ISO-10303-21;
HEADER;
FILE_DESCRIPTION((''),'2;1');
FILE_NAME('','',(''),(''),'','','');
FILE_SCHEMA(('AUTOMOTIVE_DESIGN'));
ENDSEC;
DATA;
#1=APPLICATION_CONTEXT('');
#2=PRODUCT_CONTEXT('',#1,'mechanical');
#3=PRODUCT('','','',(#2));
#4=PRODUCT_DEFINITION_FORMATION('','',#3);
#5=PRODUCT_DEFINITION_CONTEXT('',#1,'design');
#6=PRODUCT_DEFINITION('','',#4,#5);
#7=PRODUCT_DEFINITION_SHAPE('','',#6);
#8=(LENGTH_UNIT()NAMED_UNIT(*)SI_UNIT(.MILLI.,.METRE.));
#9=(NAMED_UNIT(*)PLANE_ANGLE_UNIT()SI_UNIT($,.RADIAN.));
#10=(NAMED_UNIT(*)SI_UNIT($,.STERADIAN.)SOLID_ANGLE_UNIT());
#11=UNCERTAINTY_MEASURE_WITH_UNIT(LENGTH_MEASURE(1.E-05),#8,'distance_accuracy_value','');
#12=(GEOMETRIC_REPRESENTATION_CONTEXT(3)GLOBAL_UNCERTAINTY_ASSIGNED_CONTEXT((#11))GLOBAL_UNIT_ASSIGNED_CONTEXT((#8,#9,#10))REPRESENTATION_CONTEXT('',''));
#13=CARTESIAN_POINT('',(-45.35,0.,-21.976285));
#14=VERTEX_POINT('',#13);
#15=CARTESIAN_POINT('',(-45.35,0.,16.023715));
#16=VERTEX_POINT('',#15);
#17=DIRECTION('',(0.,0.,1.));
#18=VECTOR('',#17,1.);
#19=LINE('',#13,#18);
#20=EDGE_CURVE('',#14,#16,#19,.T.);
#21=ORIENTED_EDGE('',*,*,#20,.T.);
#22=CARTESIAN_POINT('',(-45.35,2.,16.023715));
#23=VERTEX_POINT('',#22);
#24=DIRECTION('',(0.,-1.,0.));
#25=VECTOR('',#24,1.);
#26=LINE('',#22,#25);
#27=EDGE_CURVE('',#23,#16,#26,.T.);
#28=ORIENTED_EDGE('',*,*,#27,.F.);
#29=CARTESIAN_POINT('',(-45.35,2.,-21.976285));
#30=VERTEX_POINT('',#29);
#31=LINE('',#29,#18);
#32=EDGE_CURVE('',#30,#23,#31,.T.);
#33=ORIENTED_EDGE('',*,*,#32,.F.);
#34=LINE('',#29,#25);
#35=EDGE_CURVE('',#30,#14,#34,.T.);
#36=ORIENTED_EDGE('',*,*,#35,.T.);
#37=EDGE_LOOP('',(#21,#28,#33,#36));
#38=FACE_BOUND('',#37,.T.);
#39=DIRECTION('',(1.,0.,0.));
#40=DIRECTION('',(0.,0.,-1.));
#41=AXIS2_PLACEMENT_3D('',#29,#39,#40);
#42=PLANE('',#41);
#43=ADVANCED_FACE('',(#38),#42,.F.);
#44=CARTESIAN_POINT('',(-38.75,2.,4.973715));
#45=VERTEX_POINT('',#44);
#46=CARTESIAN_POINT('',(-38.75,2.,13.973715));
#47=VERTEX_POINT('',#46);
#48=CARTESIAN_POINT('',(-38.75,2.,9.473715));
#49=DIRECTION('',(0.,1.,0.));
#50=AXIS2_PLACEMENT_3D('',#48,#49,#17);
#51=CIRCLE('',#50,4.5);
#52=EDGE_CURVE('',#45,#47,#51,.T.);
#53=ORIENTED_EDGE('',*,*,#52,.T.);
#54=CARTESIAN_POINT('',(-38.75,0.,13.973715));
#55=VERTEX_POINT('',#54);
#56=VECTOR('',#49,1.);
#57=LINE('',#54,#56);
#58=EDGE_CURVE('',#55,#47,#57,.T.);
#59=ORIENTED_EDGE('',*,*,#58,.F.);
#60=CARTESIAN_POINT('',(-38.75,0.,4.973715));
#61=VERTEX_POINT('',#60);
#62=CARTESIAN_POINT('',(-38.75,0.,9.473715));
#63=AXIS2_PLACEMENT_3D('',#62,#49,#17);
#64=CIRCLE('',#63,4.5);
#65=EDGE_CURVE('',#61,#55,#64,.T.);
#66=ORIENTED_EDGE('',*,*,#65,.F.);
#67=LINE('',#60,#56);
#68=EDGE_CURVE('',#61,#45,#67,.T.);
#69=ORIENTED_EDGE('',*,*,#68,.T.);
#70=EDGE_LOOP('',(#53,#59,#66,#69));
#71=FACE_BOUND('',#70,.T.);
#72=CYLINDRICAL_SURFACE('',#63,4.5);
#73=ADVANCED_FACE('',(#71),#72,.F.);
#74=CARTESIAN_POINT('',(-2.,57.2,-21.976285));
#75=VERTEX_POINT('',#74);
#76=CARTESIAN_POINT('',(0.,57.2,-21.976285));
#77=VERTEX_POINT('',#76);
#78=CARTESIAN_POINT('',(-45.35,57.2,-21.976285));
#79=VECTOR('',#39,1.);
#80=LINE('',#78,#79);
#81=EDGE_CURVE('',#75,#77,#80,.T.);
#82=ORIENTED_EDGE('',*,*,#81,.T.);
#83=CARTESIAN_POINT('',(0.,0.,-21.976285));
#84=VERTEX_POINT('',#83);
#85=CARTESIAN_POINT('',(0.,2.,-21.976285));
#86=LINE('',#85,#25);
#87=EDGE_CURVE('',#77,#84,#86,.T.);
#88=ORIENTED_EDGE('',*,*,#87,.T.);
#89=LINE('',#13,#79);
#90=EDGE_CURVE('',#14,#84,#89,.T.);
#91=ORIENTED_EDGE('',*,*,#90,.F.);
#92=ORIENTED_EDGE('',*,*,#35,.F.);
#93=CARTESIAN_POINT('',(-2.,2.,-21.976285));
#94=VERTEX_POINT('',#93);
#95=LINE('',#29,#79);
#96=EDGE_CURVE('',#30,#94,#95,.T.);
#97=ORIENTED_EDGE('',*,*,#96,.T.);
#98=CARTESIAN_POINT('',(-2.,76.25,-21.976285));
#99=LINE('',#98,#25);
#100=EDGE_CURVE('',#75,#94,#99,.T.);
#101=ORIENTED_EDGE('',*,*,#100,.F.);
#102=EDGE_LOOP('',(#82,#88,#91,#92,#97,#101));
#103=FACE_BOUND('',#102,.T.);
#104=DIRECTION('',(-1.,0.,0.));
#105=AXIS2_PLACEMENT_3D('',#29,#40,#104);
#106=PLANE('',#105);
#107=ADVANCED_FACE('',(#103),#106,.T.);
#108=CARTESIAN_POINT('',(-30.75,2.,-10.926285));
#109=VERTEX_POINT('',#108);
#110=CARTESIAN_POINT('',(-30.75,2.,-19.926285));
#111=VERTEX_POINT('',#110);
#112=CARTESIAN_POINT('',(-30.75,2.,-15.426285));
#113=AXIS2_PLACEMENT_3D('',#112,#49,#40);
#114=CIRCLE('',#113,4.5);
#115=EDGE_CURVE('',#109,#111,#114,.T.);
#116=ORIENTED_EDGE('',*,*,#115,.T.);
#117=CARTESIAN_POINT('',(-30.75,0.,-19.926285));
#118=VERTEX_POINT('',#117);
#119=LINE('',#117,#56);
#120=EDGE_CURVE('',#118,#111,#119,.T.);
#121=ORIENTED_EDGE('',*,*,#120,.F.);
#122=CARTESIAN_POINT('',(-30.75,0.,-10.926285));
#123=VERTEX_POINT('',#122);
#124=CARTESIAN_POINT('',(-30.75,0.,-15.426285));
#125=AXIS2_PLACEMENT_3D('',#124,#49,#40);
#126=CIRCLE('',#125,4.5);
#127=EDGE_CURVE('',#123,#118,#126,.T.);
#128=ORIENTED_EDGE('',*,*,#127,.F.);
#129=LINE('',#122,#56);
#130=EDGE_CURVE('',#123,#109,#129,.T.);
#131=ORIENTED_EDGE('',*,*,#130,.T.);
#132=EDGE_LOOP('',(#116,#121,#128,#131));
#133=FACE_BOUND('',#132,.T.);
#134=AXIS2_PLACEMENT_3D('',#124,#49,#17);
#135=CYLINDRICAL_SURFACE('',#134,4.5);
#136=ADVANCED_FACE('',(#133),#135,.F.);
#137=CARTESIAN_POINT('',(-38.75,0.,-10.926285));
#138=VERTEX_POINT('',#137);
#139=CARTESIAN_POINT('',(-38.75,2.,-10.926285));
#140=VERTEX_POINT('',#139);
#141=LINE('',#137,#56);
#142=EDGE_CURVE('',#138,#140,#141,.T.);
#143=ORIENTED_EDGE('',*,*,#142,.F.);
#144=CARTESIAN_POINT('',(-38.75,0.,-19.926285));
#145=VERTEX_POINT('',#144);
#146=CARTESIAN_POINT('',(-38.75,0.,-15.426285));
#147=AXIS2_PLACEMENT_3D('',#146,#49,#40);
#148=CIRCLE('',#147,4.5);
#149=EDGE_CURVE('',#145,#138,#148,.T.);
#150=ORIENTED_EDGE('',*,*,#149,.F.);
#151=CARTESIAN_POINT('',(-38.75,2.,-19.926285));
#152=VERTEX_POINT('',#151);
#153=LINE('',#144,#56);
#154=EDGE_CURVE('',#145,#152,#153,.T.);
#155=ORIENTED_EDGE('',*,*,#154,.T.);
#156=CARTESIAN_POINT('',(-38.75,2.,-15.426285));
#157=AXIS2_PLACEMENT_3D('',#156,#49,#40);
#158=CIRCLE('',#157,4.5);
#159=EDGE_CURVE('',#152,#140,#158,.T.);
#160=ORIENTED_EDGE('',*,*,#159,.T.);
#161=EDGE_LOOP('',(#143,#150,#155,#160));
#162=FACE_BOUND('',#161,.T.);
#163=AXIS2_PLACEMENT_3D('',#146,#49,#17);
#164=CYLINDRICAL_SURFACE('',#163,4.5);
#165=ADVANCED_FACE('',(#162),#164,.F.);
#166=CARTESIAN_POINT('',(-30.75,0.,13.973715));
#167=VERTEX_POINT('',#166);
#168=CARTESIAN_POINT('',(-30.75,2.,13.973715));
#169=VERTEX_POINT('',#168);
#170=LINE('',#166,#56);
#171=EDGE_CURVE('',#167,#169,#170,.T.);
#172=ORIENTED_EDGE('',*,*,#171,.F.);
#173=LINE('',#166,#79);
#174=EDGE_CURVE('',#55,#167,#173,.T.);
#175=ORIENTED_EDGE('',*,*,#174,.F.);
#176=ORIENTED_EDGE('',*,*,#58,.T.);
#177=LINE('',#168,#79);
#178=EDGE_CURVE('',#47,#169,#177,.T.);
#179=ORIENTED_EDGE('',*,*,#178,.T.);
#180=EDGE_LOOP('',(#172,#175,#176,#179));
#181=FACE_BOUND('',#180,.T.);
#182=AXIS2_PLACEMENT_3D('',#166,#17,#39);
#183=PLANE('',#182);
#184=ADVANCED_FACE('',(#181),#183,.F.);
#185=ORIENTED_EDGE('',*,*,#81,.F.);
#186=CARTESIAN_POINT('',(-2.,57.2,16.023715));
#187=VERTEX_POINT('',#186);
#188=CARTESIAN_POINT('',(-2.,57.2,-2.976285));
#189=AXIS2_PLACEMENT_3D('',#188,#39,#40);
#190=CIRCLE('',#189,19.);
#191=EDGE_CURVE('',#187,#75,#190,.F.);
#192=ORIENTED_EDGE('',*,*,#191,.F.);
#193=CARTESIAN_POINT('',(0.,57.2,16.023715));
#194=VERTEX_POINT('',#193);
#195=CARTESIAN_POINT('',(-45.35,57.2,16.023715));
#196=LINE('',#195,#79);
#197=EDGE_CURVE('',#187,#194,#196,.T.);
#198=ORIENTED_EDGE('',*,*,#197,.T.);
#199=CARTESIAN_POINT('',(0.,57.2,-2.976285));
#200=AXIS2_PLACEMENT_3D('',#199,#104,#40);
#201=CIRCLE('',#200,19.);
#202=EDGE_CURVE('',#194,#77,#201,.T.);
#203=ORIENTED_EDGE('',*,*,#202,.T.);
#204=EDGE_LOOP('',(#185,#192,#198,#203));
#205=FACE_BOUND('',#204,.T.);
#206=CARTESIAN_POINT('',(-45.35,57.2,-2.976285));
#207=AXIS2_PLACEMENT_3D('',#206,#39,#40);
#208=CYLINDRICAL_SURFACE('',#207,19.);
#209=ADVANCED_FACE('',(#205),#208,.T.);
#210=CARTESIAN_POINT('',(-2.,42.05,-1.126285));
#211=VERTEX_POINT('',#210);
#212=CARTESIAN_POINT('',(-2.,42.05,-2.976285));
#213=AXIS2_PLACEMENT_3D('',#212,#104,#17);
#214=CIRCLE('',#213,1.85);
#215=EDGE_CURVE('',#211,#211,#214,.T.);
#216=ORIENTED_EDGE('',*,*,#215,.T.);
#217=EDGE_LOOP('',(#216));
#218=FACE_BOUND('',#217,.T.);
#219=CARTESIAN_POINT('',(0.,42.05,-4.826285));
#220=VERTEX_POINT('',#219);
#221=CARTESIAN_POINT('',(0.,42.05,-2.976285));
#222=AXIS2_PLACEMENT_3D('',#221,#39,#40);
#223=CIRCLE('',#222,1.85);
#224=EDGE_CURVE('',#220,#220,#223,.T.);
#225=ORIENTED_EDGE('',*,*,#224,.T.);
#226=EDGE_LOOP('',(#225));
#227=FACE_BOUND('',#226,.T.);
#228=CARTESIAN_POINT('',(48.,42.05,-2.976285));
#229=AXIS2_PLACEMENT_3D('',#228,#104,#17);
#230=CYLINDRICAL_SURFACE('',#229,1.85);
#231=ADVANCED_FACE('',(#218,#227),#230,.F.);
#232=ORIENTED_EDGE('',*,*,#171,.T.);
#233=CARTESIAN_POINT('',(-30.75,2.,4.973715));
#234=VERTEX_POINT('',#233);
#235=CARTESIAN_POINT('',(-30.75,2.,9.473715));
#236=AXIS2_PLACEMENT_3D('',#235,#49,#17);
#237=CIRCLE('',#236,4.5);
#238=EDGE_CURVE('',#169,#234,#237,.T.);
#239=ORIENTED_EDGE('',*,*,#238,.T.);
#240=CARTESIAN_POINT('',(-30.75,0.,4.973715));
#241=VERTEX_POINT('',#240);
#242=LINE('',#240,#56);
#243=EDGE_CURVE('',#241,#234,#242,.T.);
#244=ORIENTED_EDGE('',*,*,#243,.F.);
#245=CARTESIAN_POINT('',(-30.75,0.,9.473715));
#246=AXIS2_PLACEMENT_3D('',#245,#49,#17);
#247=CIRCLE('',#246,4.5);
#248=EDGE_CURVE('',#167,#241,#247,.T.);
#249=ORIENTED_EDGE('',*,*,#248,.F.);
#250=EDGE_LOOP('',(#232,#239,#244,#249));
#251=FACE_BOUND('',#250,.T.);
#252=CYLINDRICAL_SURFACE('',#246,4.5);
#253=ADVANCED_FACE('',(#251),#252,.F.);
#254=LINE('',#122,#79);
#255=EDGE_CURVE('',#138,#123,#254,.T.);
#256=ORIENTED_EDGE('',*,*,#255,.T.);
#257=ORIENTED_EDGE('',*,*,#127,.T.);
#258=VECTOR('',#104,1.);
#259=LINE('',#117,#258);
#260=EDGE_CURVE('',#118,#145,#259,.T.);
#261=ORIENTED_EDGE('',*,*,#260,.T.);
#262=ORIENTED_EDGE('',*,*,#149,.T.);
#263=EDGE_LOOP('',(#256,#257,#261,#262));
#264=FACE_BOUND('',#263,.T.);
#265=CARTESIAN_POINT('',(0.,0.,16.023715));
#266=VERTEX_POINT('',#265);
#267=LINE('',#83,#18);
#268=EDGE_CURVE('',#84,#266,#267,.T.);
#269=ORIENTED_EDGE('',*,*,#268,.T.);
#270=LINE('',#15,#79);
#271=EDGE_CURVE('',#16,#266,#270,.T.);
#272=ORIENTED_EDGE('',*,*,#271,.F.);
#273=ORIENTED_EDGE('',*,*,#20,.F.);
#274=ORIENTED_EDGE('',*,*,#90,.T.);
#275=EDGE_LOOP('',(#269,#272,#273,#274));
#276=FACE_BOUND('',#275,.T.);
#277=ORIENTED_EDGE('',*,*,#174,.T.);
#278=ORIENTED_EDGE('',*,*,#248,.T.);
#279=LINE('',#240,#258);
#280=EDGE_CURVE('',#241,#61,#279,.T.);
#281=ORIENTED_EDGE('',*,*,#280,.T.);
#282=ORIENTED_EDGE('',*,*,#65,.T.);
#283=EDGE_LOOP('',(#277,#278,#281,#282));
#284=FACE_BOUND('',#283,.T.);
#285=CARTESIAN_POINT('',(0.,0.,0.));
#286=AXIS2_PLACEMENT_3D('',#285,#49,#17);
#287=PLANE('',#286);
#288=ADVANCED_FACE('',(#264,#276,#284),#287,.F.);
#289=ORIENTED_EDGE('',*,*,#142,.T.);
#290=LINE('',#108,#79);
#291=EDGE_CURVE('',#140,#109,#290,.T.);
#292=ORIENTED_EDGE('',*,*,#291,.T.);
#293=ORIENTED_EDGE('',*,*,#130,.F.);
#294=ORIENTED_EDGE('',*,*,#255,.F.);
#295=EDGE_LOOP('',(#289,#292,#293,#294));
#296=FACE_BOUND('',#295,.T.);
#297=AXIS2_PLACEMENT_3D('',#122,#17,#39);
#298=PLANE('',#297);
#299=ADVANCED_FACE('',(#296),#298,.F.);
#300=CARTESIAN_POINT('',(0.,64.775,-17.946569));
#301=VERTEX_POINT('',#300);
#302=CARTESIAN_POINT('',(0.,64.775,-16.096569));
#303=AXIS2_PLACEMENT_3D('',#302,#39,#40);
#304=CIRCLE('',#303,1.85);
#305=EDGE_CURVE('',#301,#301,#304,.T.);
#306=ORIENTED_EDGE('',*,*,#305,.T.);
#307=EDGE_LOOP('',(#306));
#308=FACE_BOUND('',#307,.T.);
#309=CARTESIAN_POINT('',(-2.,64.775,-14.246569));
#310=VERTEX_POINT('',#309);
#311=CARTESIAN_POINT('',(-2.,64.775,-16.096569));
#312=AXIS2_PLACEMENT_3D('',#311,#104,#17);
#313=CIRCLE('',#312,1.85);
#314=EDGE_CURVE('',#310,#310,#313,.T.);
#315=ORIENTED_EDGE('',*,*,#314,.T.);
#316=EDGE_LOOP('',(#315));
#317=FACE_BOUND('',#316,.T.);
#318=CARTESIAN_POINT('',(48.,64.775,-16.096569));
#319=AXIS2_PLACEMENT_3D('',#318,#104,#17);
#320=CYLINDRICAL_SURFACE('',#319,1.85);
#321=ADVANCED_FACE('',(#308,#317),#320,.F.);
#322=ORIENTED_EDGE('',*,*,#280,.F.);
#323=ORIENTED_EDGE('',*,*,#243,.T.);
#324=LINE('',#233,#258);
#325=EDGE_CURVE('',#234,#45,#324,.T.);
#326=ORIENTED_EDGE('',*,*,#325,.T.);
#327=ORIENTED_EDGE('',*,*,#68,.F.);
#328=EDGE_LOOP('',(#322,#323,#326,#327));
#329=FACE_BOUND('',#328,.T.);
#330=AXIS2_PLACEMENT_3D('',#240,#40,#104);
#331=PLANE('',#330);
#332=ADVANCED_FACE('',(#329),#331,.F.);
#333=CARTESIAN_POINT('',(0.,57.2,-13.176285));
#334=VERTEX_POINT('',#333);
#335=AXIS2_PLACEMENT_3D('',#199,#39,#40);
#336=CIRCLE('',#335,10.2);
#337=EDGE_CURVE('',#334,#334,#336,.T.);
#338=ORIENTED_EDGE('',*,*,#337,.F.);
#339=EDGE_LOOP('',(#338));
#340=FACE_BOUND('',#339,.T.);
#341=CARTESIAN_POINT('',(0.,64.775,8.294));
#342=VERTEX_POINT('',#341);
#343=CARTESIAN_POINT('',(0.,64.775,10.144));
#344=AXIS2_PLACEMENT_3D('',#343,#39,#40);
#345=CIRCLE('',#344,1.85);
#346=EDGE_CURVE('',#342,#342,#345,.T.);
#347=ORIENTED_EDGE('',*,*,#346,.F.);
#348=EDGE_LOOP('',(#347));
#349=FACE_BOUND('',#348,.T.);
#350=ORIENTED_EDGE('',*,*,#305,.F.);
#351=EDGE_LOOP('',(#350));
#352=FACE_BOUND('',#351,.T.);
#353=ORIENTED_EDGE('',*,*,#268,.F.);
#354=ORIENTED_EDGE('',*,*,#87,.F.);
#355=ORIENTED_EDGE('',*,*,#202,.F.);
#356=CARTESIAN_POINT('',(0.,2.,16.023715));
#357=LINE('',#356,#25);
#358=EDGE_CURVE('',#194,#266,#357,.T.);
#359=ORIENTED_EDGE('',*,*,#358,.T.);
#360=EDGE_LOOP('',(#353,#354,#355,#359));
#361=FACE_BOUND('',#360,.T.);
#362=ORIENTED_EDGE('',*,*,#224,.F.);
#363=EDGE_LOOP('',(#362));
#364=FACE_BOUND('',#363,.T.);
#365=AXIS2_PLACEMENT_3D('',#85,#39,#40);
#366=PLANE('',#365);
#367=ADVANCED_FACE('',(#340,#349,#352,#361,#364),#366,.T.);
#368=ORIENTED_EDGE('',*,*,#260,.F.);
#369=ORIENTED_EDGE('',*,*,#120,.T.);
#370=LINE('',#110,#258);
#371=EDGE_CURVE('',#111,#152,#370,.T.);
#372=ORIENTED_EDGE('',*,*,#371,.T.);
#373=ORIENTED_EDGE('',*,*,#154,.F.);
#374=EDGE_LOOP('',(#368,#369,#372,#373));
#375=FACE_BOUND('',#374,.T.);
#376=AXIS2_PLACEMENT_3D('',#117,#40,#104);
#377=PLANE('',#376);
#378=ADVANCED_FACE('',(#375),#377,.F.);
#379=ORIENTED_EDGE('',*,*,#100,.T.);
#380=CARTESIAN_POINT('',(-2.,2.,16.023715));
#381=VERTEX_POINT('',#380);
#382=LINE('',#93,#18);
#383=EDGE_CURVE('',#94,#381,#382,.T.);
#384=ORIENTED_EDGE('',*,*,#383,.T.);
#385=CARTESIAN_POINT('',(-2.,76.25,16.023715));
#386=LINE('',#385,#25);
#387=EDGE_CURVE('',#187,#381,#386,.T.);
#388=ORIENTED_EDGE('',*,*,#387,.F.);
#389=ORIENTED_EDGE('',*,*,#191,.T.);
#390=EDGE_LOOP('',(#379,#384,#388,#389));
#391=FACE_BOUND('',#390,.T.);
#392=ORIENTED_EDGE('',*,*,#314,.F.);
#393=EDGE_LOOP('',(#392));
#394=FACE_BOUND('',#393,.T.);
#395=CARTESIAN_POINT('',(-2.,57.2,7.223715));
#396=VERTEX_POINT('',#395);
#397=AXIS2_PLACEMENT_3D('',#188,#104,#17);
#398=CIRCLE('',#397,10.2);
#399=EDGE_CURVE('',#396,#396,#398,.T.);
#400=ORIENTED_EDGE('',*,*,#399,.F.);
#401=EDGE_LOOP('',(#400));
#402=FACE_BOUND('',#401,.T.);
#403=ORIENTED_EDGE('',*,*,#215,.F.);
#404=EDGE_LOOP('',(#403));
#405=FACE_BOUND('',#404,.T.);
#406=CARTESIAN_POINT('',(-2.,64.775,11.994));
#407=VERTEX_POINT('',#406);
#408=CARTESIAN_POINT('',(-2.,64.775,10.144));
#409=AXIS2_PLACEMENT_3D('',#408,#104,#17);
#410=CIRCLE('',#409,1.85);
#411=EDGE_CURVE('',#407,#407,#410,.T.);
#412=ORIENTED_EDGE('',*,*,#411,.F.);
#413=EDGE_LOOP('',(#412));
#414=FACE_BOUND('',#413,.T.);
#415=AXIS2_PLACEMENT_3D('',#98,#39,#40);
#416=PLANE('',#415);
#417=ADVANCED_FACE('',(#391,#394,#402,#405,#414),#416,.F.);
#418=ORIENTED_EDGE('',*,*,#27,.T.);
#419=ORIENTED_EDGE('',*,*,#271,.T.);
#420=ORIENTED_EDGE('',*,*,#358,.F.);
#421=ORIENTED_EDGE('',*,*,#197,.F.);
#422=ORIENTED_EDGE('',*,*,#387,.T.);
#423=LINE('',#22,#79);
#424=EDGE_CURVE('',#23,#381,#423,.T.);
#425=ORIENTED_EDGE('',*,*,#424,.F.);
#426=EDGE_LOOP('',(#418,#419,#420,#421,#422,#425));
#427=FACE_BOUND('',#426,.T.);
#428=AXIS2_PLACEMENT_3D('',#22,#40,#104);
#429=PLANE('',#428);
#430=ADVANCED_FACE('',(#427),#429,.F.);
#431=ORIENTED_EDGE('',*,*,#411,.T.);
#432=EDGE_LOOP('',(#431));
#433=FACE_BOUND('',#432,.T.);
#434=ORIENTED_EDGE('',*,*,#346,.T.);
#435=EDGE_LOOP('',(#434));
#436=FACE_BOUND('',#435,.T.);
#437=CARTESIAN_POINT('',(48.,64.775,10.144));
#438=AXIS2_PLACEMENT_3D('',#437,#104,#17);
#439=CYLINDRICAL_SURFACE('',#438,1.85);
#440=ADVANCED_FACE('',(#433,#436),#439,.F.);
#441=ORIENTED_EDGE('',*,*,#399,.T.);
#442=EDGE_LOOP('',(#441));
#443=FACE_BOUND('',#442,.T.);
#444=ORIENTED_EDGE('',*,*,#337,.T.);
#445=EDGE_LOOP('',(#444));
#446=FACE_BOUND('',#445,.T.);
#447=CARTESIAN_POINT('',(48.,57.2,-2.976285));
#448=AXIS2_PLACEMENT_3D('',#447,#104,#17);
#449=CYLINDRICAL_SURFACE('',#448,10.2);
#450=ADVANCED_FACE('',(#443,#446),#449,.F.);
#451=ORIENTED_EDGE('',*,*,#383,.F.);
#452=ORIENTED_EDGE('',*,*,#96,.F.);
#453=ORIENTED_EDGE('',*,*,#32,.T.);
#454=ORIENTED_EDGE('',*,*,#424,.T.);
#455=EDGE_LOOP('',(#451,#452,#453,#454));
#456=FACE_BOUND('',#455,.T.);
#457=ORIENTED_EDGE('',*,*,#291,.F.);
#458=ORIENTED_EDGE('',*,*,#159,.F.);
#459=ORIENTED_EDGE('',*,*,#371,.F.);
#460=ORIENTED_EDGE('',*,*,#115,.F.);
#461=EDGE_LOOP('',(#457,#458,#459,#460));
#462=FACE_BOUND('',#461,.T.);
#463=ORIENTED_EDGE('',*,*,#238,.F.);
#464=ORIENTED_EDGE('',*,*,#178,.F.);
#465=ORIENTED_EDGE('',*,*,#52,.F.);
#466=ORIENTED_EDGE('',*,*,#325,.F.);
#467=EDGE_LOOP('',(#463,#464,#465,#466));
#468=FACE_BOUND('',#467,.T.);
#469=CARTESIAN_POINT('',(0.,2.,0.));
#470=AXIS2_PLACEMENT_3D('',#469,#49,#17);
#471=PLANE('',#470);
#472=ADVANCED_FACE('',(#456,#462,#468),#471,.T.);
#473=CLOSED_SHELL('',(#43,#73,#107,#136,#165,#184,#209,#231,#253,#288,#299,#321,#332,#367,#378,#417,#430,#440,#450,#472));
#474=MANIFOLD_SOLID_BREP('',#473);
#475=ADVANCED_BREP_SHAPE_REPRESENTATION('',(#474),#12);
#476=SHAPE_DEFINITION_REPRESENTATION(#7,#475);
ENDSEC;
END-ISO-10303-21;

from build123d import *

# Parameters (mm, degrees)
SKETCH1_W           = 45.35
SKETCH1_H           = 38
BOSS_EXTRUDE1_DEPTH = 2
SKETCH2_W           = 2
SKETCH2_H           = 38
BOSS_EXTRUDE2_DEPTH = 74.25
SKETCH3_R           = 10.2
SKETCH3_R_2         = 1.85
CUT_EXTRUDE1_DEPTH  = 50
CUT_EXTRUDE2_DEPTH  = 46.35
CUT_EXTRUDE3_DEPTH  = 3


with BuildPart() as part:
    # Sketch1 → Boss-Extrude1 (new body)
    with BuildSketch(Plane(origin=(0, 0, 0), x_dir=(1, 0, 0), z_dir=(0, 1, 0))):
        with Locations((-22.675, 2.976284585)):
            Rectangle(SKETCH1_W, SKETCH1_H)
    extrude(amount=BOSS_EXTRUDE1_DEPTH)

    # Sketch2 → Boss-Extrude2 (add)
    with BuildSketch(Plane(origin=(0, 2, 0), x_dir=(1, 0, 0), z_dir=(0, 1, 0))):
        with Locations((-1, 2.976284585)):
            Rectangle(SKETCH2_W, SKETCH2_H)
    extrude(amount=BOSS_EXTRUDE2_DEPTH)

    # Sketch3 → Cut-Extrude1 (cut)
    with BuildSketch(Plane.ZY.offset(2)):
        with Locations((-2.976284585, 57.2)):
            Circle(SKETCH3_R)
        with Locations((-16.096569452, 64.775)):
            Circle(SKETCH3_R_2)
        with Locations((10.144000282, 64.775)):
            Circle(SKETCH3_R_2)
        with Locations((-2.976284585, 42.05)):
            Circle(SKETCH3_R_2)
    extrude(amount=-CUT_EXTRUDE1_DEPTH, mode=Mode.SUBTRACT)

    # Sketch14 → Cut-Extrude2 (cut, through all)
    with BuildSketch(Plane(origin=(0, 0, 0), x_dir=(0, 0, -1), z_dir=(1, 0, 0))):
        with BuildLine():
            Line((-16.023715415, 57.2), (-16.023715415, 90.282409195))
            Line((-16.023715415, 90.282409195), (21.976284585, 90.282409195))
            Line((21.976284585, 90.282409195), (21.976284585, 57.2))
            ThreePointArc((21.976284585, 57.2), (2.976284585, 76.2), (-16.023715415, 57.2))
        make_face()
    extrude(amount=-CUT_EXTRUDE2_DEPTH, mode=Mode.SUBTRACT)

    # Sketch15 → Cut-Extrude3 (cut, through all)
    with BuildSketch(Plane(origin=(0, 2, 0), x_dir=(1, 0, 0), z_dir=(0, 1, 0))):
        with BuildLine():
            Line((-30.75, -13.973715415), (-38.75, -13.973715415))
            ThreePointArc((-38.75, -13.973715415), (-43.25, -9.473715415), (-38.75, -4.973715415))
            Line((-38.75, -4.973715415), (-30.75, -4.973715415))
            ThreePointArc((-30.75, -4.973715415), (-26.25, -9.473715415), (-30.75, -13.973715415))
        make_face()
        with BuildLine():
            Line((-30.75, 19.926284585), (-38.75, 19.926284585))
            ThreePointArc((-38.75, 19.926284585), (-43.25, 15.426284585), (-38.75, 10.926284585))
            Line((-38.75, 10.926284585), (-30.75, 10.926284585))
            ThreePointArc((-30.75, 10.926284585), (-26.25, 15.426284585), (-30.75, 19.926284585))
        make_face()
    extrude(amount=-CUT_EXTRUDE3_DEPTH, mode=Mode.SUBTRACT)


solid = part.part
